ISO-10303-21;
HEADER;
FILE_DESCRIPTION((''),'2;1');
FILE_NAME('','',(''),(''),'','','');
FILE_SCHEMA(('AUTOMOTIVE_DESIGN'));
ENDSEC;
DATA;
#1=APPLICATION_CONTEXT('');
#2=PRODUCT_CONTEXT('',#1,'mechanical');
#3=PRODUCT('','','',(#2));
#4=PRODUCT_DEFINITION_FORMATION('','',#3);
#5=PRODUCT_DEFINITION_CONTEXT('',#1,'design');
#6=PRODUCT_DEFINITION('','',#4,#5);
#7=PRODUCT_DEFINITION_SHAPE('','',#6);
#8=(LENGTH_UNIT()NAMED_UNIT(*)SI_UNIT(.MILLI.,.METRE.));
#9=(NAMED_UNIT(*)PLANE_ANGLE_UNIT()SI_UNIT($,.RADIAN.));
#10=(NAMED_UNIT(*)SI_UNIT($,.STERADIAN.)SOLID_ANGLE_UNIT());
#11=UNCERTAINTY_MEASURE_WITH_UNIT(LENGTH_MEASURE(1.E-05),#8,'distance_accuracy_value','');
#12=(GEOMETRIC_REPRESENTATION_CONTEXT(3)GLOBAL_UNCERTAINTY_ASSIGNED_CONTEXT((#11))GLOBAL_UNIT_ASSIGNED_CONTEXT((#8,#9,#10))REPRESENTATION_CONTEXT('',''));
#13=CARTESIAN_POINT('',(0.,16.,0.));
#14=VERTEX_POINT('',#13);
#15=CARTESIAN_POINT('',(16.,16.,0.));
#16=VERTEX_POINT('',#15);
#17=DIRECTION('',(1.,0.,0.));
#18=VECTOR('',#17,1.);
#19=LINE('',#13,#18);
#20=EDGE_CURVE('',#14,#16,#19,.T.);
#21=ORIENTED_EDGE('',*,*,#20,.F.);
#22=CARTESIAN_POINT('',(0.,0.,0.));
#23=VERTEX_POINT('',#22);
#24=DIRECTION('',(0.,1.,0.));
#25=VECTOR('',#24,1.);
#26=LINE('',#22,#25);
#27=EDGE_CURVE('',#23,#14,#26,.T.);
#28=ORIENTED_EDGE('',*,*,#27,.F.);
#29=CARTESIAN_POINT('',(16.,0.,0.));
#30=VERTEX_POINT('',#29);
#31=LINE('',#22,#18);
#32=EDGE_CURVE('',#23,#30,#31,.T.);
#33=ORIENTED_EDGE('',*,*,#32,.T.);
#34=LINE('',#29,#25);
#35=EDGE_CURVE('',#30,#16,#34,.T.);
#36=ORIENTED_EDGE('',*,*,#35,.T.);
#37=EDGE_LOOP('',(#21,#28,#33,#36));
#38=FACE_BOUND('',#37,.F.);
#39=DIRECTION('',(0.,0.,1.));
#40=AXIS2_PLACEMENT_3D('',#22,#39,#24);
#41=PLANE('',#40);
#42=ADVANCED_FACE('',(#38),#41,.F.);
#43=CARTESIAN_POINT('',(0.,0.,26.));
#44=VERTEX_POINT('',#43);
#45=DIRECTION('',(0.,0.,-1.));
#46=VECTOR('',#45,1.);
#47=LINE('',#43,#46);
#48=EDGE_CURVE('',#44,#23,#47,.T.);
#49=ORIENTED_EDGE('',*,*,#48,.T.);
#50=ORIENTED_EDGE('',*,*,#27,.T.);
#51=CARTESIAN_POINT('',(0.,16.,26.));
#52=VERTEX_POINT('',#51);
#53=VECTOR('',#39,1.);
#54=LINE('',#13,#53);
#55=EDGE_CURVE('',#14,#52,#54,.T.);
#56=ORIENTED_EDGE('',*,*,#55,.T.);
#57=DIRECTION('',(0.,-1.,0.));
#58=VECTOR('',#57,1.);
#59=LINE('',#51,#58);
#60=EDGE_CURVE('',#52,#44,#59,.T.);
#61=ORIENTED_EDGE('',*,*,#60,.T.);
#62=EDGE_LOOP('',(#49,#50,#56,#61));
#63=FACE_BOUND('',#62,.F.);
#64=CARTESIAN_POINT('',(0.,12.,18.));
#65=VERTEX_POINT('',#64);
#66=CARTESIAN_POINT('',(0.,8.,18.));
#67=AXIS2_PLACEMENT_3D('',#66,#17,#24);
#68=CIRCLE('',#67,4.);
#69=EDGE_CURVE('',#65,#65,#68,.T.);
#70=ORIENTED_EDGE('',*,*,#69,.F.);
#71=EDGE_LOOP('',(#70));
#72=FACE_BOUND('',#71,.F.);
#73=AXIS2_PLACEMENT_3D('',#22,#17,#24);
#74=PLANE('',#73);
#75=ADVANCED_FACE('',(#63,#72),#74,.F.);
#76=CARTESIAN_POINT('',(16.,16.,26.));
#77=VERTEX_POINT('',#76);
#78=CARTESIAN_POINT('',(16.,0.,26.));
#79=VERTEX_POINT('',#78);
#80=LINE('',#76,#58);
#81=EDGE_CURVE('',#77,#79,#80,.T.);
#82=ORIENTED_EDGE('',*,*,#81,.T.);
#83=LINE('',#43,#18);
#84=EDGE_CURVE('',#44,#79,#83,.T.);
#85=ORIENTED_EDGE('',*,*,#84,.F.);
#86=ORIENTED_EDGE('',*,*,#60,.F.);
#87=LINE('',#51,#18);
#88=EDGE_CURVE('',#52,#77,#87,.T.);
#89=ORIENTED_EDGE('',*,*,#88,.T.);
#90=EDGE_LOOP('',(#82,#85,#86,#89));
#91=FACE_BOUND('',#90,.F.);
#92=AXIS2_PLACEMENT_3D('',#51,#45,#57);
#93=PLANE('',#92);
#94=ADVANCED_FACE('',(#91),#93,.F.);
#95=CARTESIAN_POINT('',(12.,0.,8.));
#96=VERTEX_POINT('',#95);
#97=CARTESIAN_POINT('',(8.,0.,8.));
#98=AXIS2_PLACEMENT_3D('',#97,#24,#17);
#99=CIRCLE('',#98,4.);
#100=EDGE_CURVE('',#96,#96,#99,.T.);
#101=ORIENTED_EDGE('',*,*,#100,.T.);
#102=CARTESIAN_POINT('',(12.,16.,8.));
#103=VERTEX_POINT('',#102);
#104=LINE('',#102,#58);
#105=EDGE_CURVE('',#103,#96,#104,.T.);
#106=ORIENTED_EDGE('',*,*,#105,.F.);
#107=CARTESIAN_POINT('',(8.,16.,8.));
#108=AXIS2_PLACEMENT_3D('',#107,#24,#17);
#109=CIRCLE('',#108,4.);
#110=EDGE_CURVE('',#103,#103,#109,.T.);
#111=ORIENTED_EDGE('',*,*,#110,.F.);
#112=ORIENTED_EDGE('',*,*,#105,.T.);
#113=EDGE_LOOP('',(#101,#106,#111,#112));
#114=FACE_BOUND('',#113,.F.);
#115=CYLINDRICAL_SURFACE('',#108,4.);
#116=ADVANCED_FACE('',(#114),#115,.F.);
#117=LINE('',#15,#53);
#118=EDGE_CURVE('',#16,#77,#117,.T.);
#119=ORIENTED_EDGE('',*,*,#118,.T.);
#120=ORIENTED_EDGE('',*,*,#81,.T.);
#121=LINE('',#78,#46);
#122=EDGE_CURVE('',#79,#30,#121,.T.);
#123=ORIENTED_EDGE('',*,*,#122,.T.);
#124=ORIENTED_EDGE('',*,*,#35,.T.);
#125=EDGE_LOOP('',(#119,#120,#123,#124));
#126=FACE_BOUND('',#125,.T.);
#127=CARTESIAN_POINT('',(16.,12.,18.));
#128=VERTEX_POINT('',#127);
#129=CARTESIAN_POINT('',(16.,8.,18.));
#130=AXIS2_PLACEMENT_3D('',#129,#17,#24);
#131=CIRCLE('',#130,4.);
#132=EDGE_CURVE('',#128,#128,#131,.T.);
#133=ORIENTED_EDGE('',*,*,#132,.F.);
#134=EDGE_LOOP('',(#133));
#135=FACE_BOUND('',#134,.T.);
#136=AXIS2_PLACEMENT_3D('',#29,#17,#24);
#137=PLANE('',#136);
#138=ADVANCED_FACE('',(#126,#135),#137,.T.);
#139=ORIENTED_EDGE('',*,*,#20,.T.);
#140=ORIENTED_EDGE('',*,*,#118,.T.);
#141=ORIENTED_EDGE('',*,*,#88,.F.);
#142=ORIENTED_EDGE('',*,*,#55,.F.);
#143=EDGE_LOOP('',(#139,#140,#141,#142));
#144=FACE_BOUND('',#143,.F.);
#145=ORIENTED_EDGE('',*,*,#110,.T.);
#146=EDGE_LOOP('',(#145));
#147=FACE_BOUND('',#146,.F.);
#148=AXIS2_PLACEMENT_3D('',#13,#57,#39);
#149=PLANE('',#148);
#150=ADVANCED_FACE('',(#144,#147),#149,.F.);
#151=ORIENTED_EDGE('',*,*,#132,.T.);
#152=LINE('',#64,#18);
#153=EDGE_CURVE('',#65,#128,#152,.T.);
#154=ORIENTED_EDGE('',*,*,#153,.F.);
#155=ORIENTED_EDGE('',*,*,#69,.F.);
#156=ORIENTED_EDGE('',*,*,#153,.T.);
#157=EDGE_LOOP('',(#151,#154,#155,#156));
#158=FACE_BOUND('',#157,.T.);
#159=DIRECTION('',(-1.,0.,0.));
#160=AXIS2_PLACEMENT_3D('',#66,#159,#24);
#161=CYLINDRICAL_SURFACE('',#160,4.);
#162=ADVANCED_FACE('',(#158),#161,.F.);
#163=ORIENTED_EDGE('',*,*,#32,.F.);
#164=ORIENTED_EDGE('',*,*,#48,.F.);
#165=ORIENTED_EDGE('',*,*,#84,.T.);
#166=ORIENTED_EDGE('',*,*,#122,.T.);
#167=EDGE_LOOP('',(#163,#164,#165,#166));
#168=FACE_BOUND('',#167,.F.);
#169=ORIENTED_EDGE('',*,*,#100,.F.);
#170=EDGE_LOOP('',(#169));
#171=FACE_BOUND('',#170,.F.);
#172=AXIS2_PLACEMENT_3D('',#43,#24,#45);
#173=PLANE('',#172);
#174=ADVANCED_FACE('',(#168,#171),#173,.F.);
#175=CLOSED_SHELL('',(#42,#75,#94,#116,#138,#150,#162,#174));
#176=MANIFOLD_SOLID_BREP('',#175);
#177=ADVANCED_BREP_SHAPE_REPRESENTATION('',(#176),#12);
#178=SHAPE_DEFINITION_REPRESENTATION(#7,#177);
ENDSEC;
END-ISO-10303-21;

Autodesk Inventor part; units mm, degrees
ref_plane "YZ Plane" through (0, 0, 0) normal (1, 0, 0) x (0, 1, 0)
ref_plane "XZ Plane" through (0, 0, 0) normal (0, 1, 0) x (-1, 0, 0)
ref_plane "XY Plane" through (0, 0, 0) normal (0, 0, 1) x (1, 0, 0)
sketch "Sketch1" plane through (0, 0, 0) normal (1, 0, 0) x (0, 1, 0)
  line L0 (0, 0) -> (16, 0)
  line L1 (16, 0) -> (16, 26)
  line L2 (16, 26) -> (0, 26)
  line L3 (0, 26) -> (0, 0)
  circle A0 centre (8, 18) radius 4
  dimension "d0" = 16
  dimension "d1" = 26
  dimension "d4" = 8
extrude "Extrusion1" add sketch "Sketch1" along normal blind 16
sketch "Sketch2" plane through (0, 16, 26) normal (0, 1, 0) x (1, 0, 0)
  circle A0 centre (8, 18) radius 4
  dimension "d8" = 8
extrude "Extrusion2" cut sketch "Sketch2" against normal blind 16
properties part number "BarClamp" material "Birch"
